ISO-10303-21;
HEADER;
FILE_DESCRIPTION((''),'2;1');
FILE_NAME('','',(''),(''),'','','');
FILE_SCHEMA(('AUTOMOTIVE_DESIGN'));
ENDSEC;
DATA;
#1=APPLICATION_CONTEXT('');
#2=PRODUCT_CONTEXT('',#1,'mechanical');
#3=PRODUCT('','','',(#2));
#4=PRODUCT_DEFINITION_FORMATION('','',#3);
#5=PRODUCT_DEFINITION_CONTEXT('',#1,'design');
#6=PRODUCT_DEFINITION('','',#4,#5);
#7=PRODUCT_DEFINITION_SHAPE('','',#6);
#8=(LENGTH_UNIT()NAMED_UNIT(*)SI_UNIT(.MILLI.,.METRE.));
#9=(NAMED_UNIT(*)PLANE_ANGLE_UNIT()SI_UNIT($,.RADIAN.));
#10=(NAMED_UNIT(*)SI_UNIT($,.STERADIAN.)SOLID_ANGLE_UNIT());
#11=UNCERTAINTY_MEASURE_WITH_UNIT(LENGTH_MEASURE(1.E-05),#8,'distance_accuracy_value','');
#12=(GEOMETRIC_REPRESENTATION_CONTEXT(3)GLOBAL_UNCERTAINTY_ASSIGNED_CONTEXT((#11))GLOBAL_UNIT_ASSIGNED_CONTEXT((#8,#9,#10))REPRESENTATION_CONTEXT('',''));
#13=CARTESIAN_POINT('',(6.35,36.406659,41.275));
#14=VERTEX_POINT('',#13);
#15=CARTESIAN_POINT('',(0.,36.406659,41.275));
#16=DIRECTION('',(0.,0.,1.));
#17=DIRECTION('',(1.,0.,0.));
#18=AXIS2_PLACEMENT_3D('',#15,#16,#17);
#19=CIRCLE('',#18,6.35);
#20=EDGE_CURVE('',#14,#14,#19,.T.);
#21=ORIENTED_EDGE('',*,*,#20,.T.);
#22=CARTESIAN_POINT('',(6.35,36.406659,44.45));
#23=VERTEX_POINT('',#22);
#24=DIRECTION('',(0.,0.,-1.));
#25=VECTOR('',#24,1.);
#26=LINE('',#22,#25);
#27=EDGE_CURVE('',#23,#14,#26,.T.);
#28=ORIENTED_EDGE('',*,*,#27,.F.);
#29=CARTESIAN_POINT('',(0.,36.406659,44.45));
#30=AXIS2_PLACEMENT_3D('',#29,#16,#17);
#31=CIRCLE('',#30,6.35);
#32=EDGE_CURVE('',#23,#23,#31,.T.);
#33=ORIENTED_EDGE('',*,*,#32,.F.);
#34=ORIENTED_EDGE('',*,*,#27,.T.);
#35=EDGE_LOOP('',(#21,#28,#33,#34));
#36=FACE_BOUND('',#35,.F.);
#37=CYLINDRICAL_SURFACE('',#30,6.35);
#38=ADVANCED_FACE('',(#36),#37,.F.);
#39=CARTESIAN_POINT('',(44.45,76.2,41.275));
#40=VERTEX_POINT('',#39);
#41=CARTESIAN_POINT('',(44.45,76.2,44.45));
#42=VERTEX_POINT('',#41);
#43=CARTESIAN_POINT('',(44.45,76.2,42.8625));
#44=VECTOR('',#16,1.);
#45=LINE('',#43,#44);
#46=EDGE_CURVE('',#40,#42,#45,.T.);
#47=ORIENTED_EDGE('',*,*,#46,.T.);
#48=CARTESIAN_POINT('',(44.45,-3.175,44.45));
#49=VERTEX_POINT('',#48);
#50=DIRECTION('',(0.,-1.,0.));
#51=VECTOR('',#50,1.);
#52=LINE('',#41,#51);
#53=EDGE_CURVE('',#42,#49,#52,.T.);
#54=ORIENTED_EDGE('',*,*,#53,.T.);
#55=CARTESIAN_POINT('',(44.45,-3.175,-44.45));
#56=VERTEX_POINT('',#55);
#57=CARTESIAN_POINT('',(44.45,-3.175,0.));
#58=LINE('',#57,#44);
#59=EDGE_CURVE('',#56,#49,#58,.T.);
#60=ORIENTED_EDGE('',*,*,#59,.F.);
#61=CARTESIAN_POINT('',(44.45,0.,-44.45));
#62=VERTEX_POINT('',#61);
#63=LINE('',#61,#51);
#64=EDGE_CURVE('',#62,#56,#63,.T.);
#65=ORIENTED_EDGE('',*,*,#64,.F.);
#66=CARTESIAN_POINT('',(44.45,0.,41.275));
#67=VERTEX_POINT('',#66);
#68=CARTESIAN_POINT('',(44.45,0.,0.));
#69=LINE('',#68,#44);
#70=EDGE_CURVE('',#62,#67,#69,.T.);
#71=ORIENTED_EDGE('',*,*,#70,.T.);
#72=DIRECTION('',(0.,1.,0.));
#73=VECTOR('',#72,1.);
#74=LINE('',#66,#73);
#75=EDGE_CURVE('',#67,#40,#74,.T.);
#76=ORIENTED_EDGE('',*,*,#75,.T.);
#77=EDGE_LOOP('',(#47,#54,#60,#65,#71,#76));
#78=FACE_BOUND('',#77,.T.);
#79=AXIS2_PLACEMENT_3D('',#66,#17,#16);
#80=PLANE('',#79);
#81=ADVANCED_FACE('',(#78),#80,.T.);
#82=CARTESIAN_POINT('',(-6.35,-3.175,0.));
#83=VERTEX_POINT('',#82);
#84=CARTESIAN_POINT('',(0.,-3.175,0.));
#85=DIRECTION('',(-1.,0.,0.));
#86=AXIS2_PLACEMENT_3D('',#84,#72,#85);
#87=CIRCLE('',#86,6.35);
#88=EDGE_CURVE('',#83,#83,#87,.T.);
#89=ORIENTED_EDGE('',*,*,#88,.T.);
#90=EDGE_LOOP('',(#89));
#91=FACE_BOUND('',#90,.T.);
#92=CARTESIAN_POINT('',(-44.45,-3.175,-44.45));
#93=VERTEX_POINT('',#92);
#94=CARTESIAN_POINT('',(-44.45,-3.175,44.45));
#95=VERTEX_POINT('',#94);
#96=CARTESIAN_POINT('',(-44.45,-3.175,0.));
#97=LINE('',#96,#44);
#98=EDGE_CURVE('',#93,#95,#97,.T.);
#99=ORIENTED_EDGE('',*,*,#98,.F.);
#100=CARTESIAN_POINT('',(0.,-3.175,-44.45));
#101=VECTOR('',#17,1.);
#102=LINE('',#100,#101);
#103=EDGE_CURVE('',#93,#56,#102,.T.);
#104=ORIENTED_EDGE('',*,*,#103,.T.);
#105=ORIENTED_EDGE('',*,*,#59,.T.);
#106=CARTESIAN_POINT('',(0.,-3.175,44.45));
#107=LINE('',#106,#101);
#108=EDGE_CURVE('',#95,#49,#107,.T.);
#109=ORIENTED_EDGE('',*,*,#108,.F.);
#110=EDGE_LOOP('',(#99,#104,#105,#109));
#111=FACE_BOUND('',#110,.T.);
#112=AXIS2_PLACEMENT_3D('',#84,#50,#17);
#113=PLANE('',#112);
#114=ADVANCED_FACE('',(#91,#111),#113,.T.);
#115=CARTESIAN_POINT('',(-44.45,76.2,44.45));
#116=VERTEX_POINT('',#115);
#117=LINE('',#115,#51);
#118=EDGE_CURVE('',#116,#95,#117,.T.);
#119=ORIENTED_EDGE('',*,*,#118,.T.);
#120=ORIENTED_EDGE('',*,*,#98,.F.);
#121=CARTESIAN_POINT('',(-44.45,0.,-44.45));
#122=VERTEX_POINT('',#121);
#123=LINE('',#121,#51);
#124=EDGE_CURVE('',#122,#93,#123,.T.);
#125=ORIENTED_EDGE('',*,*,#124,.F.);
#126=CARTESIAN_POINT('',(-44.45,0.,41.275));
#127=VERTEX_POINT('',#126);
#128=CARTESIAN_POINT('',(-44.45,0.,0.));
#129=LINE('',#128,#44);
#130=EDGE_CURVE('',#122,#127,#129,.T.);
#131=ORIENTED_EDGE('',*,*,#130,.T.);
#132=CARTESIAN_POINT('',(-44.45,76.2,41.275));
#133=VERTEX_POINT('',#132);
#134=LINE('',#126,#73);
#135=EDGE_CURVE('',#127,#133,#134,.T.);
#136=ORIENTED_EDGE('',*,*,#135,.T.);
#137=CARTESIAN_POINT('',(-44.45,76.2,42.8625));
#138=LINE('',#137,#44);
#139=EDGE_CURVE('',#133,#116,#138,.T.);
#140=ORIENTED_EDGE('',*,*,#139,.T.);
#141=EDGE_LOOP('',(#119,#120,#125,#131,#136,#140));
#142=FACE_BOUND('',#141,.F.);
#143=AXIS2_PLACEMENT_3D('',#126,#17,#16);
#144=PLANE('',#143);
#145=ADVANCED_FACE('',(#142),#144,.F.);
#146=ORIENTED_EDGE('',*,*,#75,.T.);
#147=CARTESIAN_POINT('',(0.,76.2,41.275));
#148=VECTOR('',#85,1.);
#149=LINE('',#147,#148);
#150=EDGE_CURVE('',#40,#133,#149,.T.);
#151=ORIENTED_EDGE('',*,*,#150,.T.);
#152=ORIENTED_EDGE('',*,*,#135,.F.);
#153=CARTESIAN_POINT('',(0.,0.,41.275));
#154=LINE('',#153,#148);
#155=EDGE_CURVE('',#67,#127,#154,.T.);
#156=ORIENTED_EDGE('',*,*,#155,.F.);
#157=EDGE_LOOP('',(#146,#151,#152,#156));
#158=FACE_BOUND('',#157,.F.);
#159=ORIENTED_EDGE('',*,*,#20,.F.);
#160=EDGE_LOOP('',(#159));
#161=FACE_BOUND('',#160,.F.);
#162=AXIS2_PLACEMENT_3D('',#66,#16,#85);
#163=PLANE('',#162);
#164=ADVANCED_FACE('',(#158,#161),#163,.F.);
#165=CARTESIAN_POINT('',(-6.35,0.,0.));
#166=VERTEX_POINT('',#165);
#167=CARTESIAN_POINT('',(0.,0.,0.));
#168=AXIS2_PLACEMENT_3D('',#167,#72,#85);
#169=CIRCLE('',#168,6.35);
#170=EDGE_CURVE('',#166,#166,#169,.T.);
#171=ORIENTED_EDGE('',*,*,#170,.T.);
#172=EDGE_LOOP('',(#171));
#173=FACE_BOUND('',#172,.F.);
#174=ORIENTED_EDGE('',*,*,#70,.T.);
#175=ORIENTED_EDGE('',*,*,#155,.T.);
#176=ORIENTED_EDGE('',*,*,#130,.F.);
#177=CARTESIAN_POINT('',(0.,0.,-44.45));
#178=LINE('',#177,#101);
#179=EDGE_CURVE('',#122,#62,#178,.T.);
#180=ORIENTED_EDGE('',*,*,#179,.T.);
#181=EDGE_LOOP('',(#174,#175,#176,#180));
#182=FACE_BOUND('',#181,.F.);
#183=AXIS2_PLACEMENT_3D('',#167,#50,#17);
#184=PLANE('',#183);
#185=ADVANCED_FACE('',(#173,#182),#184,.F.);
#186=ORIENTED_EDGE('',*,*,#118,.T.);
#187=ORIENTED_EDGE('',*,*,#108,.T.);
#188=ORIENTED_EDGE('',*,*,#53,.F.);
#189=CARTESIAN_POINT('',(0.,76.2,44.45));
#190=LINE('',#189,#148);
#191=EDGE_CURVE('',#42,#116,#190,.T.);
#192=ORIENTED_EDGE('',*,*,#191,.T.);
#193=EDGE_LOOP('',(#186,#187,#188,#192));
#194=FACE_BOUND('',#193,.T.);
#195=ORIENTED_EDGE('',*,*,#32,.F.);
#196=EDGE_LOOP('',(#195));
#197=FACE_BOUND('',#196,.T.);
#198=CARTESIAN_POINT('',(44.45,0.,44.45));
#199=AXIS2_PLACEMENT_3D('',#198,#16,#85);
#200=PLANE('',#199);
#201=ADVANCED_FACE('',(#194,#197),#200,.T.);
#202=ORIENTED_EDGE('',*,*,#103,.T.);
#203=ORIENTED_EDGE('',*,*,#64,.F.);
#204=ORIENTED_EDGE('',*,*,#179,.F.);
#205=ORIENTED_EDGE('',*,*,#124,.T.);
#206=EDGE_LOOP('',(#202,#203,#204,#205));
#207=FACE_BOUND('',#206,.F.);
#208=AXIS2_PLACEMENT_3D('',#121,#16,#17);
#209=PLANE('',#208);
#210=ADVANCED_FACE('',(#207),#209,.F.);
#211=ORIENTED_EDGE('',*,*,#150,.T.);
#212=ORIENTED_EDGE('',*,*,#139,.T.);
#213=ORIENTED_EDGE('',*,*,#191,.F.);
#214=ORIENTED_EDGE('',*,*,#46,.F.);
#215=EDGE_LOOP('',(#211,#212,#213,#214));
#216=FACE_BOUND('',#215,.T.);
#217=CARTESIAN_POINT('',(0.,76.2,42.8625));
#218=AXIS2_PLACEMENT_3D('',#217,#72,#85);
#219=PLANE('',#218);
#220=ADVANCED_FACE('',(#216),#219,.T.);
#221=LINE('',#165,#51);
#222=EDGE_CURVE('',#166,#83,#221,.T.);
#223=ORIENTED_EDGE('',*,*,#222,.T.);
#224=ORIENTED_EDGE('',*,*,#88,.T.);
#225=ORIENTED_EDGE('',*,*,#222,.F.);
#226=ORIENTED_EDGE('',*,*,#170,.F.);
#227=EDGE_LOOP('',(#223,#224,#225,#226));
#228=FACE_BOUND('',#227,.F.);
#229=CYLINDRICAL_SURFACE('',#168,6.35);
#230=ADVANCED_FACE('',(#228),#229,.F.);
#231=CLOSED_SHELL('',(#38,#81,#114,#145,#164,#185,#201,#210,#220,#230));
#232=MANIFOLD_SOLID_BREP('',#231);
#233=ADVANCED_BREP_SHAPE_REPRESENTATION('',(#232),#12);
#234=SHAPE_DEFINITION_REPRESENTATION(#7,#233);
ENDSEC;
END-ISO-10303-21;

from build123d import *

# Parameters (mm, degrees)
F0_W     = 88.9
F0_H     = 88.9
F1_DEPTH = 3.175
F2_W     = 88.9
F2_H     = 3.175
F3_DEPTH = 76.2
F4_R     = 6.35
F5_DEPTH = 3.175
F6_R     = 6.35
F7_DEPTH = 3.175


with BuildPart() as f1:
    # F0 (on Front) → F1 (new body)
    with BuildSketch(Plane.XZ):
        Rectangle(F0_W, F0_H)
    extrude(amount=F1_DEPTH)

    # F2 (on face) → F3 (join)
    with BuildSketch(Plane(origin=(0, 0, 0), x_dir=(-1, 0, 0), z_dir=(0, 1, 0))):
        with Locations((0, 42.8625)):
            Rectangle(F2_W, F2_H)
    extrude(amount=F3_DEPTH)

    # F4 (on face) → F5 (cut)
    with BuildSketch(Plane(origin=(0, 0, 0), x_dir=(-1, 0, 0), z_dir=(0, 1, 0))):
        Circle(F4_R)
    extrude(amount=-F5_DEPTH, mode=Mode.SUBTRACT)

    # F6 (on face) → F7 (cut)
    with BuildSketch(Plane.XY.offset(44.45)):
        with Locations((0, 36.406659)):
            Circle(F6_R)
    extrude(amount=-F7_DEPTH, mode=Mode.SUBTRACT)


solid = f1.part
